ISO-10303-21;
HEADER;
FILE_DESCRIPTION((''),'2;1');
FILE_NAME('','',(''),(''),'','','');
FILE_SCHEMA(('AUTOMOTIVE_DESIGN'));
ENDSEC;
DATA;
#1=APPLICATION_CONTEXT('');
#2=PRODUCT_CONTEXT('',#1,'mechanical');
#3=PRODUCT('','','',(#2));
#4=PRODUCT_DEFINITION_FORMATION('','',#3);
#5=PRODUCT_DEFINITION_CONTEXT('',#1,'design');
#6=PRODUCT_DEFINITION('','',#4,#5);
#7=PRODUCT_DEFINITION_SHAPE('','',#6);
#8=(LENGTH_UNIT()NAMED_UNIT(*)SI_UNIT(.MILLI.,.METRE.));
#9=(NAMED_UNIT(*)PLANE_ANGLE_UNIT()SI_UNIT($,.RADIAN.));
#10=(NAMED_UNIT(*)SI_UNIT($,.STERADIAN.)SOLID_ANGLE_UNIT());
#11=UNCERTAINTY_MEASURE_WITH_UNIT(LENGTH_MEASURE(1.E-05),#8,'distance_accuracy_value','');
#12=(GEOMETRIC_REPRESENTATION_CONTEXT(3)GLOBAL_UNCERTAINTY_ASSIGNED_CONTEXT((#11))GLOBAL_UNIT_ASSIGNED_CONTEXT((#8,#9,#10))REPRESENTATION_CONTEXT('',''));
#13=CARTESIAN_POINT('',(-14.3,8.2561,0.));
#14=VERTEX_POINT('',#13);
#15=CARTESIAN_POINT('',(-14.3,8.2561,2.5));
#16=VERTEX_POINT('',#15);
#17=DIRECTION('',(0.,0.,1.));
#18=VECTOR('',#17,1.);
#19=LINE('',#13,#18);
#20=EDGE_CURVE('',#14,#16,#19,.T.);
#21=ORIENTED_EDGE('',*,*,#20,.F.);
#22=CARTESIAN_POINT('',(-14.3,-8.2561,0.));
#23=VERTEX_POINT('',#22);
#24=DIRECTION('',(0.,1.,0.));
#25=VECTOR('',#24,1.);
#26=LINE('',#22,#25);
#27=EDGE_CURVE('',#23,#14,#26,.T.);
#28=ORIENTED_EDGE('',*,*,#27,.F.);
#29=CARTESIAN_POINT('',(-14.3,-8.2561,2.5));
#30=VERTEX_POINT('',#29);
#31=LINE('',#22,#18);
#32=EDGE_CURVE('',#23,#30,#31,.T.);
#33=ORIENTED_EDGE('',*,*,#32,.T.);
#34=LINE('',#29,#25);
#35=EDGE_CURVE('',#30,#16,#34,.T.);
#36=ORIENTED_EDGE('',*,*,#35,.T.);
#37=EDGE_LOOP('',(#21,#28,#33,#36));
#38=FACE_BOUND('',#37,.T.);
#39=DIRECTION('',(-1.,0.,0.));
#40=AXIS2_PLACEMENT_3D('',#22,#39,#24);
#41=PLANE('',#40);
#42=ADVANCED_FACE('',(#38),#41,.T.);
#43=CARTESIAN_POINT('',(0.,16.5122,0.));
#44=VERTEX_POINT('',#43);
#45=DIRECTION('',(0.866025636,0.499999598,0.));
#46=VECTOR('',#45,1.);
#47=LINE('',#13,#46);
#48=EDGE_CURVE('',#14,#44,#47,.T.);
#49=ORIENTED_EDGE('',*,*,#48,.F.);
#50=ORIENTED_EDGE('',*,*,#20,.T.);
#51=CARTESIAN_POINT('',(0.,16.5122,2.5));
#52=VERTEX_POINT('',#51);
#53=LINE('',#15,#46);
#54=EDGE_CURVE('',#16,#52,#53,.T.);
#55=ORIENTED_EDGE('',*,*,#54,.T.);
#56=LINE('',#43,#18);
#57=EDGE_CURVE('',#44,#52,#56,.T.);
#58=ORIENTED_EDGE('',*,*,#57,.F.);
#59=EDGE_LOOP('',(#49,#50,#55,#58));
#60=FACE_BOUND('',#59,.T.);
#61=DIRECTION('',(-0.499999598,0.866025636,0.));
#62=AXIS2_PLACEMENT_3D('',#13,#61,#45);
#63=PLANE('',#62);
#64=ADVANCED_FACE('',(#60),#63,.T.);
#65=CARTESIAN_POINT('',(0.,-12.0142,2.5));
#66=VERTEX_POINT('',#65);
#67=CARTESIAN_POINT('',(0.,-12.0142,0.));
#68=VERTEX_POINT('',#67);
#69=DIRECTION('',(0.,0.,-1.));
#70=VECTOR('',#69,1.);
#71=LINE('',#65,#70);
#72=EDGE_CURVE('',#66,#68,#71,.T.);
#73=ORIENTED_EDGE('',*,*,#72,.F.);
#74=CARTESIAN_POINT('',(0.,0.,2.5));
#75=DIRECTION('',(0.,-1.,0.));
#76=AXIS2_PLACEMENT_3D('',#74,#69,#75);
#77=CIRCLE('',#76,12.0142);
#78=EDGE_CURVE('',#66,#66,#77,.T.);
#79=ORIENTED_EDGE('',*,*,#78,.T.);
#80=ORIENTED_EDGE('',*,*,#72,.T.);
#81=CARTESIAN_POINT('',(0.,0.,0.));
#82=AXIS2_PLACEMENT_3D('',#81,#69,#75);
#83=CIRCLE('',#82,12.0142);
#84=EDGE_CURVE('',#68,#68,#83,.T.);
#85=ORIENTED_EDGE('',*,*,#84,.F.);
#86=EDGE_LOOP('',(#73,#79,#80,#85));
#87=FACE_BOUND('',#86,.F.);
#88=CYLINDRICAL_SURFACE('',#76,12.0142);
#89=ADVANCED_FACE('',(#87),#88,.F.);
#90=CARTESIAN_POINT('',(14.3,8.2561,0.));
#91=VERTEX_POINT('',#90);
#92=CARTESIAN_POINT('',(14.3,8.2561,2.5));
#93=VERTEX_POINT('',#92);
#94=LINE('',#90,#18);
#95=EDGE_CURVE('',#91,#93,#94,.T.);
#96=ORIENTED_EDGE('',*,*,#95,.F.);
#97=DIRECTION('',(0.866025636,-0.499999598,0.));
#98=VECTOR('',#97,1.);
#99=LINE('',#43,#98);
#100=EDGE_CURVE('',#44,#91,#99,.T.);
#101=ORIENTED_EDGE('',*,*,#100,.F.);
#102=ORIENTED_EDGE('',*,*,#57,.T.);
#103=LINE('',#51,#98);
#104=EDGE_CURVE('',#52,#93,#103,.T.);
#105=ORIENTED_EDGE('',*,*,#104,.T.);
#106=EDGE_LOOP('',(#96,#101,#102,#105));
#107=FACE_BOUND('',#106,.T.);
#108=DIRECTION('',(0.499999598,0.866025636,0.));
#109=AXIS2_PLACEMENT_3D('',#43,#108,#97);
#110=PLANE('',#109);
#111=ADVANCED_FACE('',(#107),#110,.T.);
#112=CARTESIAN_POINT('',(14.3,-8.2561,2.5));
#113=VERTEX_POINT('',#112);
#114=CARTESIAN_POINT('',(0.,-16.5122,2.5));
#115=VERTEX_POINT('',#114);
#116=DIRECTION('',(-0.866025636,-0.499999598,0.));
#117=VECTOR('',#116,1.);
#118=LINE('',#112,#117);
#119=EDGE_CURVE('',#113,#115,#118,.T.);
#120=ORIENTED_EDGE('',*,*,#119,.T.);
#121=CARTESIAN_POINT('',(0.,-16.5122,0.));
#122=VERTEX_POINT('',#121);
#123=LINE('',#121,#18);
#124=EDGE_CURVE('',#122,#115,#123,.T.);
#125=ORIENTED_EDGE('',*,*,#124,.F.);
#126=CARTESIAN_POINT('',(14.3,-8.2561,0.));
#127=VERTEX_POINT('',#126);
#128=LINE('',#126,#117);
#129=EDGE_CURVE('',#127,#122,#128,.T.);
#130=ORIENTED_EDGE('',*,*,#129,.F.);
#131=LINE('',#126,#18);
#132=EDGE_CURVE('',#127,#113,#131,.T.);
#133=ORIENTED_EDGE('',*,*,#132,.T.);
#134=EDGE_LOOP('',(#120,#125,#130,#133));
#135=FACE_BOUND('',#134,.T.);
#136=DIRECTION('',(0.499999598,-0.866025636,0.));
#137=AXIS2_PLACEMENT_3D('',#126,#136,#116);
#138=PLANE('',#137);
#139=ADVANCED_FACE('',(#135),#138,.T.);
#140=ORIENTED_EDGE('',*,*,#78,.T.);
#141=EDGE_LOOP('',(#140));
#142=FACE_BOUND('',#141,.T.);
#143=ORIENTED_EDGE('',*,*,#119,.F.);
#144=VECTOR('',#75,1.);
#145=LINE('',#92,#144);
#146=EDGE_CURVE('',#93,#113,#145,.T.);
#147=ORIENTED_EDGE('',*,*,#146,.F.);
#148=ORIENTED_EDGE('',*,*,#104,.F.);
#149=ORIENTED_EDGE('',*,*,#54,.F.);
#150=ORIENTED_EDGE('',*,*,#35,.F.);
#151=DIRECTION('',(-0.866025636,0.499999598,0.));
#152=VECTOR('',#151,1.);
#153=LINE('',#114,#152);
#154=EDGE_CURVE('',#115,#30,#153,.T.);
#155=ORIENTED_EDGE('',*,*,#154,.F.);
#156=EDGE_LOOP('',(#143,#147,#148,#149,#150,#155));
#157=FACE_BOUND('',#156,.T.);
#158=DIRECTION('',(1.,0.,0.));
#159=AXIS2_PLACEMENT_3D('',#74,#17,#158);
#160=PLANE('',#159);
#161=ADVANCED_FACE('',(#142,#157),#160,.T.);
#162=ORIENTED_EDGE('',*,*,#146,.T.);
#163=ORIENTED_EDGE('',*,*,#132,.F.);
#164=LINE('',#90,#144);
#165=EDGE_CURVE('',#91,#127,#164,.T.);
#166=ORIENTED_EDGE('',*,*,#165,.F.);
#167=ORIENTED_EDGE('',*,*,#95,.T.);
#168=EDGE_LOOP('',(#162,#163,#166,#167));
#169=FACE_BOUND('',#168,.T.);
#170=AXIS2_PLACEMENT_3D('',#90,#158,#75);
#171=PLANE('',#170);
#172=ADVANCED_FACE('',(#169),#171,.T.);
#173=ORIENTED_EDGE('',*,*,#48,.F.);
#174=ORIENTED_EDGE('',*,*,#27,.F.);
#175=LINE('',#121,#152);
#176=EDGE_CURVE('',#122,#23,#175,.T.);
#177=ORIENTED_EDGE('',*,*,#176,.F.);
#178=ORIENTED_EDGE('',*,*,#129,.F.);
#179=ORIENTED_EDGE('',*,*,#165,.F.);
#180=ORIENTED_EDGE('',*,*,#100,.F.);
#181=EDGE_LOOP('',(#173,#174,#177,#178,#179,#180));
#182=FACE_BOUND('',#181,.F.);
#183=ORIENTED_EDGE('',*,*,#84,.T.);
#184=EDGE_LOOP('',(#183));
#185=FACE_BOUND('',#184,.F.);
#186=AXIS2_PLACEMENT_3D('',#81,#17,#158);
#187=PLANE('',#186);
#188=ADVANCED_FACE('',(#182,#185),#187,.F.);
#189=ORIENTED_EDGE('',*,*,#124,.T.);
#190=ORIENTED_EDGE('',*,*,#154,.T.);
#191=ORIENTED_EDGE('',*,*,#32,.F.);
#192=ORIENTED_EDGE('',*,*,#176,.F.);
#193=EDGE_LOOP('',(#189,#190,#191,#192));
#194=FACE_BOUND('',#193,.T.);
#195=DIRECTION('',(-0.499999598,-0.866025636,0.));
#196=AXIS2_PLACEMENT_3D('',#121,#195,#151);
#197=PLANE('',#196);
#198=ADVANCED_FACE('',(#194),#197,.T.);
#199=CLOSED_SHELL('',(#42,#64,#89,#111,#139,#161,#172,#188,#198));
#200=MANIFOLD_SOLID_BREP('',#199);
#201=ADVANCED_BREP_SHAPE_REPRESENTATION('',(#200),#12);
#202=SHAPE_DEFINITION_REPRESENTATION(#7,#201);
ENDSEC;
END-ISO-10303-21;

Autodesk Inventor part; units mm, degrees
ref_plane "YZ Plane" through (0, 0, 0) normal (1, 0, 0) x (0, 1, 0)
ref_plane "XZ Plane" through (0, 0, 0) normal (0, 1, 0) x (-1, 0, 0)
ref_plane "XY Plane" through (0, 0, 0) normal (0, 0, 1) x (1, 0, 0)
sketch "Sketch1" plane through (0, 0, 0) normal (0, 0, 1) x (1, 0, 0)
  line L0 (0, 16.5122) -> (14.3, 8.2561)
  line L1 (14.3, 8.2561) -> (14.3, -8.2561)
  line L2 (14.3, -8.2561) -> (0, -16.5122)
  line L3 (0, -16.5122) -> (-14.3, -8.2561)
  line L4 (-14.3, -8.2561) -> (-14.3, 8.2561)
  line L5 (-14.3, 8.2561) -> (0, 16.5122)
  point P0 (0, 0)
  point P1 (0, 0)
  dimension "d0" = 28.6
extrude "Extrusion1" add sketch "Sketch1" along normal blind 2.5
sketch "Sketch2" plane through (0, 0, 2.5) normal (0, 0, 1) x (1, 0, 0)
  point P0 (0, 0)
hole "Hole1" at (0, 0, 2.5) direction (0, 0, -1) diameter 24.0284 end through all thread size "1-20 UNEF" class "2B" standard "ANSI Unified Screw Threads"
properties part number "USB NUT"
